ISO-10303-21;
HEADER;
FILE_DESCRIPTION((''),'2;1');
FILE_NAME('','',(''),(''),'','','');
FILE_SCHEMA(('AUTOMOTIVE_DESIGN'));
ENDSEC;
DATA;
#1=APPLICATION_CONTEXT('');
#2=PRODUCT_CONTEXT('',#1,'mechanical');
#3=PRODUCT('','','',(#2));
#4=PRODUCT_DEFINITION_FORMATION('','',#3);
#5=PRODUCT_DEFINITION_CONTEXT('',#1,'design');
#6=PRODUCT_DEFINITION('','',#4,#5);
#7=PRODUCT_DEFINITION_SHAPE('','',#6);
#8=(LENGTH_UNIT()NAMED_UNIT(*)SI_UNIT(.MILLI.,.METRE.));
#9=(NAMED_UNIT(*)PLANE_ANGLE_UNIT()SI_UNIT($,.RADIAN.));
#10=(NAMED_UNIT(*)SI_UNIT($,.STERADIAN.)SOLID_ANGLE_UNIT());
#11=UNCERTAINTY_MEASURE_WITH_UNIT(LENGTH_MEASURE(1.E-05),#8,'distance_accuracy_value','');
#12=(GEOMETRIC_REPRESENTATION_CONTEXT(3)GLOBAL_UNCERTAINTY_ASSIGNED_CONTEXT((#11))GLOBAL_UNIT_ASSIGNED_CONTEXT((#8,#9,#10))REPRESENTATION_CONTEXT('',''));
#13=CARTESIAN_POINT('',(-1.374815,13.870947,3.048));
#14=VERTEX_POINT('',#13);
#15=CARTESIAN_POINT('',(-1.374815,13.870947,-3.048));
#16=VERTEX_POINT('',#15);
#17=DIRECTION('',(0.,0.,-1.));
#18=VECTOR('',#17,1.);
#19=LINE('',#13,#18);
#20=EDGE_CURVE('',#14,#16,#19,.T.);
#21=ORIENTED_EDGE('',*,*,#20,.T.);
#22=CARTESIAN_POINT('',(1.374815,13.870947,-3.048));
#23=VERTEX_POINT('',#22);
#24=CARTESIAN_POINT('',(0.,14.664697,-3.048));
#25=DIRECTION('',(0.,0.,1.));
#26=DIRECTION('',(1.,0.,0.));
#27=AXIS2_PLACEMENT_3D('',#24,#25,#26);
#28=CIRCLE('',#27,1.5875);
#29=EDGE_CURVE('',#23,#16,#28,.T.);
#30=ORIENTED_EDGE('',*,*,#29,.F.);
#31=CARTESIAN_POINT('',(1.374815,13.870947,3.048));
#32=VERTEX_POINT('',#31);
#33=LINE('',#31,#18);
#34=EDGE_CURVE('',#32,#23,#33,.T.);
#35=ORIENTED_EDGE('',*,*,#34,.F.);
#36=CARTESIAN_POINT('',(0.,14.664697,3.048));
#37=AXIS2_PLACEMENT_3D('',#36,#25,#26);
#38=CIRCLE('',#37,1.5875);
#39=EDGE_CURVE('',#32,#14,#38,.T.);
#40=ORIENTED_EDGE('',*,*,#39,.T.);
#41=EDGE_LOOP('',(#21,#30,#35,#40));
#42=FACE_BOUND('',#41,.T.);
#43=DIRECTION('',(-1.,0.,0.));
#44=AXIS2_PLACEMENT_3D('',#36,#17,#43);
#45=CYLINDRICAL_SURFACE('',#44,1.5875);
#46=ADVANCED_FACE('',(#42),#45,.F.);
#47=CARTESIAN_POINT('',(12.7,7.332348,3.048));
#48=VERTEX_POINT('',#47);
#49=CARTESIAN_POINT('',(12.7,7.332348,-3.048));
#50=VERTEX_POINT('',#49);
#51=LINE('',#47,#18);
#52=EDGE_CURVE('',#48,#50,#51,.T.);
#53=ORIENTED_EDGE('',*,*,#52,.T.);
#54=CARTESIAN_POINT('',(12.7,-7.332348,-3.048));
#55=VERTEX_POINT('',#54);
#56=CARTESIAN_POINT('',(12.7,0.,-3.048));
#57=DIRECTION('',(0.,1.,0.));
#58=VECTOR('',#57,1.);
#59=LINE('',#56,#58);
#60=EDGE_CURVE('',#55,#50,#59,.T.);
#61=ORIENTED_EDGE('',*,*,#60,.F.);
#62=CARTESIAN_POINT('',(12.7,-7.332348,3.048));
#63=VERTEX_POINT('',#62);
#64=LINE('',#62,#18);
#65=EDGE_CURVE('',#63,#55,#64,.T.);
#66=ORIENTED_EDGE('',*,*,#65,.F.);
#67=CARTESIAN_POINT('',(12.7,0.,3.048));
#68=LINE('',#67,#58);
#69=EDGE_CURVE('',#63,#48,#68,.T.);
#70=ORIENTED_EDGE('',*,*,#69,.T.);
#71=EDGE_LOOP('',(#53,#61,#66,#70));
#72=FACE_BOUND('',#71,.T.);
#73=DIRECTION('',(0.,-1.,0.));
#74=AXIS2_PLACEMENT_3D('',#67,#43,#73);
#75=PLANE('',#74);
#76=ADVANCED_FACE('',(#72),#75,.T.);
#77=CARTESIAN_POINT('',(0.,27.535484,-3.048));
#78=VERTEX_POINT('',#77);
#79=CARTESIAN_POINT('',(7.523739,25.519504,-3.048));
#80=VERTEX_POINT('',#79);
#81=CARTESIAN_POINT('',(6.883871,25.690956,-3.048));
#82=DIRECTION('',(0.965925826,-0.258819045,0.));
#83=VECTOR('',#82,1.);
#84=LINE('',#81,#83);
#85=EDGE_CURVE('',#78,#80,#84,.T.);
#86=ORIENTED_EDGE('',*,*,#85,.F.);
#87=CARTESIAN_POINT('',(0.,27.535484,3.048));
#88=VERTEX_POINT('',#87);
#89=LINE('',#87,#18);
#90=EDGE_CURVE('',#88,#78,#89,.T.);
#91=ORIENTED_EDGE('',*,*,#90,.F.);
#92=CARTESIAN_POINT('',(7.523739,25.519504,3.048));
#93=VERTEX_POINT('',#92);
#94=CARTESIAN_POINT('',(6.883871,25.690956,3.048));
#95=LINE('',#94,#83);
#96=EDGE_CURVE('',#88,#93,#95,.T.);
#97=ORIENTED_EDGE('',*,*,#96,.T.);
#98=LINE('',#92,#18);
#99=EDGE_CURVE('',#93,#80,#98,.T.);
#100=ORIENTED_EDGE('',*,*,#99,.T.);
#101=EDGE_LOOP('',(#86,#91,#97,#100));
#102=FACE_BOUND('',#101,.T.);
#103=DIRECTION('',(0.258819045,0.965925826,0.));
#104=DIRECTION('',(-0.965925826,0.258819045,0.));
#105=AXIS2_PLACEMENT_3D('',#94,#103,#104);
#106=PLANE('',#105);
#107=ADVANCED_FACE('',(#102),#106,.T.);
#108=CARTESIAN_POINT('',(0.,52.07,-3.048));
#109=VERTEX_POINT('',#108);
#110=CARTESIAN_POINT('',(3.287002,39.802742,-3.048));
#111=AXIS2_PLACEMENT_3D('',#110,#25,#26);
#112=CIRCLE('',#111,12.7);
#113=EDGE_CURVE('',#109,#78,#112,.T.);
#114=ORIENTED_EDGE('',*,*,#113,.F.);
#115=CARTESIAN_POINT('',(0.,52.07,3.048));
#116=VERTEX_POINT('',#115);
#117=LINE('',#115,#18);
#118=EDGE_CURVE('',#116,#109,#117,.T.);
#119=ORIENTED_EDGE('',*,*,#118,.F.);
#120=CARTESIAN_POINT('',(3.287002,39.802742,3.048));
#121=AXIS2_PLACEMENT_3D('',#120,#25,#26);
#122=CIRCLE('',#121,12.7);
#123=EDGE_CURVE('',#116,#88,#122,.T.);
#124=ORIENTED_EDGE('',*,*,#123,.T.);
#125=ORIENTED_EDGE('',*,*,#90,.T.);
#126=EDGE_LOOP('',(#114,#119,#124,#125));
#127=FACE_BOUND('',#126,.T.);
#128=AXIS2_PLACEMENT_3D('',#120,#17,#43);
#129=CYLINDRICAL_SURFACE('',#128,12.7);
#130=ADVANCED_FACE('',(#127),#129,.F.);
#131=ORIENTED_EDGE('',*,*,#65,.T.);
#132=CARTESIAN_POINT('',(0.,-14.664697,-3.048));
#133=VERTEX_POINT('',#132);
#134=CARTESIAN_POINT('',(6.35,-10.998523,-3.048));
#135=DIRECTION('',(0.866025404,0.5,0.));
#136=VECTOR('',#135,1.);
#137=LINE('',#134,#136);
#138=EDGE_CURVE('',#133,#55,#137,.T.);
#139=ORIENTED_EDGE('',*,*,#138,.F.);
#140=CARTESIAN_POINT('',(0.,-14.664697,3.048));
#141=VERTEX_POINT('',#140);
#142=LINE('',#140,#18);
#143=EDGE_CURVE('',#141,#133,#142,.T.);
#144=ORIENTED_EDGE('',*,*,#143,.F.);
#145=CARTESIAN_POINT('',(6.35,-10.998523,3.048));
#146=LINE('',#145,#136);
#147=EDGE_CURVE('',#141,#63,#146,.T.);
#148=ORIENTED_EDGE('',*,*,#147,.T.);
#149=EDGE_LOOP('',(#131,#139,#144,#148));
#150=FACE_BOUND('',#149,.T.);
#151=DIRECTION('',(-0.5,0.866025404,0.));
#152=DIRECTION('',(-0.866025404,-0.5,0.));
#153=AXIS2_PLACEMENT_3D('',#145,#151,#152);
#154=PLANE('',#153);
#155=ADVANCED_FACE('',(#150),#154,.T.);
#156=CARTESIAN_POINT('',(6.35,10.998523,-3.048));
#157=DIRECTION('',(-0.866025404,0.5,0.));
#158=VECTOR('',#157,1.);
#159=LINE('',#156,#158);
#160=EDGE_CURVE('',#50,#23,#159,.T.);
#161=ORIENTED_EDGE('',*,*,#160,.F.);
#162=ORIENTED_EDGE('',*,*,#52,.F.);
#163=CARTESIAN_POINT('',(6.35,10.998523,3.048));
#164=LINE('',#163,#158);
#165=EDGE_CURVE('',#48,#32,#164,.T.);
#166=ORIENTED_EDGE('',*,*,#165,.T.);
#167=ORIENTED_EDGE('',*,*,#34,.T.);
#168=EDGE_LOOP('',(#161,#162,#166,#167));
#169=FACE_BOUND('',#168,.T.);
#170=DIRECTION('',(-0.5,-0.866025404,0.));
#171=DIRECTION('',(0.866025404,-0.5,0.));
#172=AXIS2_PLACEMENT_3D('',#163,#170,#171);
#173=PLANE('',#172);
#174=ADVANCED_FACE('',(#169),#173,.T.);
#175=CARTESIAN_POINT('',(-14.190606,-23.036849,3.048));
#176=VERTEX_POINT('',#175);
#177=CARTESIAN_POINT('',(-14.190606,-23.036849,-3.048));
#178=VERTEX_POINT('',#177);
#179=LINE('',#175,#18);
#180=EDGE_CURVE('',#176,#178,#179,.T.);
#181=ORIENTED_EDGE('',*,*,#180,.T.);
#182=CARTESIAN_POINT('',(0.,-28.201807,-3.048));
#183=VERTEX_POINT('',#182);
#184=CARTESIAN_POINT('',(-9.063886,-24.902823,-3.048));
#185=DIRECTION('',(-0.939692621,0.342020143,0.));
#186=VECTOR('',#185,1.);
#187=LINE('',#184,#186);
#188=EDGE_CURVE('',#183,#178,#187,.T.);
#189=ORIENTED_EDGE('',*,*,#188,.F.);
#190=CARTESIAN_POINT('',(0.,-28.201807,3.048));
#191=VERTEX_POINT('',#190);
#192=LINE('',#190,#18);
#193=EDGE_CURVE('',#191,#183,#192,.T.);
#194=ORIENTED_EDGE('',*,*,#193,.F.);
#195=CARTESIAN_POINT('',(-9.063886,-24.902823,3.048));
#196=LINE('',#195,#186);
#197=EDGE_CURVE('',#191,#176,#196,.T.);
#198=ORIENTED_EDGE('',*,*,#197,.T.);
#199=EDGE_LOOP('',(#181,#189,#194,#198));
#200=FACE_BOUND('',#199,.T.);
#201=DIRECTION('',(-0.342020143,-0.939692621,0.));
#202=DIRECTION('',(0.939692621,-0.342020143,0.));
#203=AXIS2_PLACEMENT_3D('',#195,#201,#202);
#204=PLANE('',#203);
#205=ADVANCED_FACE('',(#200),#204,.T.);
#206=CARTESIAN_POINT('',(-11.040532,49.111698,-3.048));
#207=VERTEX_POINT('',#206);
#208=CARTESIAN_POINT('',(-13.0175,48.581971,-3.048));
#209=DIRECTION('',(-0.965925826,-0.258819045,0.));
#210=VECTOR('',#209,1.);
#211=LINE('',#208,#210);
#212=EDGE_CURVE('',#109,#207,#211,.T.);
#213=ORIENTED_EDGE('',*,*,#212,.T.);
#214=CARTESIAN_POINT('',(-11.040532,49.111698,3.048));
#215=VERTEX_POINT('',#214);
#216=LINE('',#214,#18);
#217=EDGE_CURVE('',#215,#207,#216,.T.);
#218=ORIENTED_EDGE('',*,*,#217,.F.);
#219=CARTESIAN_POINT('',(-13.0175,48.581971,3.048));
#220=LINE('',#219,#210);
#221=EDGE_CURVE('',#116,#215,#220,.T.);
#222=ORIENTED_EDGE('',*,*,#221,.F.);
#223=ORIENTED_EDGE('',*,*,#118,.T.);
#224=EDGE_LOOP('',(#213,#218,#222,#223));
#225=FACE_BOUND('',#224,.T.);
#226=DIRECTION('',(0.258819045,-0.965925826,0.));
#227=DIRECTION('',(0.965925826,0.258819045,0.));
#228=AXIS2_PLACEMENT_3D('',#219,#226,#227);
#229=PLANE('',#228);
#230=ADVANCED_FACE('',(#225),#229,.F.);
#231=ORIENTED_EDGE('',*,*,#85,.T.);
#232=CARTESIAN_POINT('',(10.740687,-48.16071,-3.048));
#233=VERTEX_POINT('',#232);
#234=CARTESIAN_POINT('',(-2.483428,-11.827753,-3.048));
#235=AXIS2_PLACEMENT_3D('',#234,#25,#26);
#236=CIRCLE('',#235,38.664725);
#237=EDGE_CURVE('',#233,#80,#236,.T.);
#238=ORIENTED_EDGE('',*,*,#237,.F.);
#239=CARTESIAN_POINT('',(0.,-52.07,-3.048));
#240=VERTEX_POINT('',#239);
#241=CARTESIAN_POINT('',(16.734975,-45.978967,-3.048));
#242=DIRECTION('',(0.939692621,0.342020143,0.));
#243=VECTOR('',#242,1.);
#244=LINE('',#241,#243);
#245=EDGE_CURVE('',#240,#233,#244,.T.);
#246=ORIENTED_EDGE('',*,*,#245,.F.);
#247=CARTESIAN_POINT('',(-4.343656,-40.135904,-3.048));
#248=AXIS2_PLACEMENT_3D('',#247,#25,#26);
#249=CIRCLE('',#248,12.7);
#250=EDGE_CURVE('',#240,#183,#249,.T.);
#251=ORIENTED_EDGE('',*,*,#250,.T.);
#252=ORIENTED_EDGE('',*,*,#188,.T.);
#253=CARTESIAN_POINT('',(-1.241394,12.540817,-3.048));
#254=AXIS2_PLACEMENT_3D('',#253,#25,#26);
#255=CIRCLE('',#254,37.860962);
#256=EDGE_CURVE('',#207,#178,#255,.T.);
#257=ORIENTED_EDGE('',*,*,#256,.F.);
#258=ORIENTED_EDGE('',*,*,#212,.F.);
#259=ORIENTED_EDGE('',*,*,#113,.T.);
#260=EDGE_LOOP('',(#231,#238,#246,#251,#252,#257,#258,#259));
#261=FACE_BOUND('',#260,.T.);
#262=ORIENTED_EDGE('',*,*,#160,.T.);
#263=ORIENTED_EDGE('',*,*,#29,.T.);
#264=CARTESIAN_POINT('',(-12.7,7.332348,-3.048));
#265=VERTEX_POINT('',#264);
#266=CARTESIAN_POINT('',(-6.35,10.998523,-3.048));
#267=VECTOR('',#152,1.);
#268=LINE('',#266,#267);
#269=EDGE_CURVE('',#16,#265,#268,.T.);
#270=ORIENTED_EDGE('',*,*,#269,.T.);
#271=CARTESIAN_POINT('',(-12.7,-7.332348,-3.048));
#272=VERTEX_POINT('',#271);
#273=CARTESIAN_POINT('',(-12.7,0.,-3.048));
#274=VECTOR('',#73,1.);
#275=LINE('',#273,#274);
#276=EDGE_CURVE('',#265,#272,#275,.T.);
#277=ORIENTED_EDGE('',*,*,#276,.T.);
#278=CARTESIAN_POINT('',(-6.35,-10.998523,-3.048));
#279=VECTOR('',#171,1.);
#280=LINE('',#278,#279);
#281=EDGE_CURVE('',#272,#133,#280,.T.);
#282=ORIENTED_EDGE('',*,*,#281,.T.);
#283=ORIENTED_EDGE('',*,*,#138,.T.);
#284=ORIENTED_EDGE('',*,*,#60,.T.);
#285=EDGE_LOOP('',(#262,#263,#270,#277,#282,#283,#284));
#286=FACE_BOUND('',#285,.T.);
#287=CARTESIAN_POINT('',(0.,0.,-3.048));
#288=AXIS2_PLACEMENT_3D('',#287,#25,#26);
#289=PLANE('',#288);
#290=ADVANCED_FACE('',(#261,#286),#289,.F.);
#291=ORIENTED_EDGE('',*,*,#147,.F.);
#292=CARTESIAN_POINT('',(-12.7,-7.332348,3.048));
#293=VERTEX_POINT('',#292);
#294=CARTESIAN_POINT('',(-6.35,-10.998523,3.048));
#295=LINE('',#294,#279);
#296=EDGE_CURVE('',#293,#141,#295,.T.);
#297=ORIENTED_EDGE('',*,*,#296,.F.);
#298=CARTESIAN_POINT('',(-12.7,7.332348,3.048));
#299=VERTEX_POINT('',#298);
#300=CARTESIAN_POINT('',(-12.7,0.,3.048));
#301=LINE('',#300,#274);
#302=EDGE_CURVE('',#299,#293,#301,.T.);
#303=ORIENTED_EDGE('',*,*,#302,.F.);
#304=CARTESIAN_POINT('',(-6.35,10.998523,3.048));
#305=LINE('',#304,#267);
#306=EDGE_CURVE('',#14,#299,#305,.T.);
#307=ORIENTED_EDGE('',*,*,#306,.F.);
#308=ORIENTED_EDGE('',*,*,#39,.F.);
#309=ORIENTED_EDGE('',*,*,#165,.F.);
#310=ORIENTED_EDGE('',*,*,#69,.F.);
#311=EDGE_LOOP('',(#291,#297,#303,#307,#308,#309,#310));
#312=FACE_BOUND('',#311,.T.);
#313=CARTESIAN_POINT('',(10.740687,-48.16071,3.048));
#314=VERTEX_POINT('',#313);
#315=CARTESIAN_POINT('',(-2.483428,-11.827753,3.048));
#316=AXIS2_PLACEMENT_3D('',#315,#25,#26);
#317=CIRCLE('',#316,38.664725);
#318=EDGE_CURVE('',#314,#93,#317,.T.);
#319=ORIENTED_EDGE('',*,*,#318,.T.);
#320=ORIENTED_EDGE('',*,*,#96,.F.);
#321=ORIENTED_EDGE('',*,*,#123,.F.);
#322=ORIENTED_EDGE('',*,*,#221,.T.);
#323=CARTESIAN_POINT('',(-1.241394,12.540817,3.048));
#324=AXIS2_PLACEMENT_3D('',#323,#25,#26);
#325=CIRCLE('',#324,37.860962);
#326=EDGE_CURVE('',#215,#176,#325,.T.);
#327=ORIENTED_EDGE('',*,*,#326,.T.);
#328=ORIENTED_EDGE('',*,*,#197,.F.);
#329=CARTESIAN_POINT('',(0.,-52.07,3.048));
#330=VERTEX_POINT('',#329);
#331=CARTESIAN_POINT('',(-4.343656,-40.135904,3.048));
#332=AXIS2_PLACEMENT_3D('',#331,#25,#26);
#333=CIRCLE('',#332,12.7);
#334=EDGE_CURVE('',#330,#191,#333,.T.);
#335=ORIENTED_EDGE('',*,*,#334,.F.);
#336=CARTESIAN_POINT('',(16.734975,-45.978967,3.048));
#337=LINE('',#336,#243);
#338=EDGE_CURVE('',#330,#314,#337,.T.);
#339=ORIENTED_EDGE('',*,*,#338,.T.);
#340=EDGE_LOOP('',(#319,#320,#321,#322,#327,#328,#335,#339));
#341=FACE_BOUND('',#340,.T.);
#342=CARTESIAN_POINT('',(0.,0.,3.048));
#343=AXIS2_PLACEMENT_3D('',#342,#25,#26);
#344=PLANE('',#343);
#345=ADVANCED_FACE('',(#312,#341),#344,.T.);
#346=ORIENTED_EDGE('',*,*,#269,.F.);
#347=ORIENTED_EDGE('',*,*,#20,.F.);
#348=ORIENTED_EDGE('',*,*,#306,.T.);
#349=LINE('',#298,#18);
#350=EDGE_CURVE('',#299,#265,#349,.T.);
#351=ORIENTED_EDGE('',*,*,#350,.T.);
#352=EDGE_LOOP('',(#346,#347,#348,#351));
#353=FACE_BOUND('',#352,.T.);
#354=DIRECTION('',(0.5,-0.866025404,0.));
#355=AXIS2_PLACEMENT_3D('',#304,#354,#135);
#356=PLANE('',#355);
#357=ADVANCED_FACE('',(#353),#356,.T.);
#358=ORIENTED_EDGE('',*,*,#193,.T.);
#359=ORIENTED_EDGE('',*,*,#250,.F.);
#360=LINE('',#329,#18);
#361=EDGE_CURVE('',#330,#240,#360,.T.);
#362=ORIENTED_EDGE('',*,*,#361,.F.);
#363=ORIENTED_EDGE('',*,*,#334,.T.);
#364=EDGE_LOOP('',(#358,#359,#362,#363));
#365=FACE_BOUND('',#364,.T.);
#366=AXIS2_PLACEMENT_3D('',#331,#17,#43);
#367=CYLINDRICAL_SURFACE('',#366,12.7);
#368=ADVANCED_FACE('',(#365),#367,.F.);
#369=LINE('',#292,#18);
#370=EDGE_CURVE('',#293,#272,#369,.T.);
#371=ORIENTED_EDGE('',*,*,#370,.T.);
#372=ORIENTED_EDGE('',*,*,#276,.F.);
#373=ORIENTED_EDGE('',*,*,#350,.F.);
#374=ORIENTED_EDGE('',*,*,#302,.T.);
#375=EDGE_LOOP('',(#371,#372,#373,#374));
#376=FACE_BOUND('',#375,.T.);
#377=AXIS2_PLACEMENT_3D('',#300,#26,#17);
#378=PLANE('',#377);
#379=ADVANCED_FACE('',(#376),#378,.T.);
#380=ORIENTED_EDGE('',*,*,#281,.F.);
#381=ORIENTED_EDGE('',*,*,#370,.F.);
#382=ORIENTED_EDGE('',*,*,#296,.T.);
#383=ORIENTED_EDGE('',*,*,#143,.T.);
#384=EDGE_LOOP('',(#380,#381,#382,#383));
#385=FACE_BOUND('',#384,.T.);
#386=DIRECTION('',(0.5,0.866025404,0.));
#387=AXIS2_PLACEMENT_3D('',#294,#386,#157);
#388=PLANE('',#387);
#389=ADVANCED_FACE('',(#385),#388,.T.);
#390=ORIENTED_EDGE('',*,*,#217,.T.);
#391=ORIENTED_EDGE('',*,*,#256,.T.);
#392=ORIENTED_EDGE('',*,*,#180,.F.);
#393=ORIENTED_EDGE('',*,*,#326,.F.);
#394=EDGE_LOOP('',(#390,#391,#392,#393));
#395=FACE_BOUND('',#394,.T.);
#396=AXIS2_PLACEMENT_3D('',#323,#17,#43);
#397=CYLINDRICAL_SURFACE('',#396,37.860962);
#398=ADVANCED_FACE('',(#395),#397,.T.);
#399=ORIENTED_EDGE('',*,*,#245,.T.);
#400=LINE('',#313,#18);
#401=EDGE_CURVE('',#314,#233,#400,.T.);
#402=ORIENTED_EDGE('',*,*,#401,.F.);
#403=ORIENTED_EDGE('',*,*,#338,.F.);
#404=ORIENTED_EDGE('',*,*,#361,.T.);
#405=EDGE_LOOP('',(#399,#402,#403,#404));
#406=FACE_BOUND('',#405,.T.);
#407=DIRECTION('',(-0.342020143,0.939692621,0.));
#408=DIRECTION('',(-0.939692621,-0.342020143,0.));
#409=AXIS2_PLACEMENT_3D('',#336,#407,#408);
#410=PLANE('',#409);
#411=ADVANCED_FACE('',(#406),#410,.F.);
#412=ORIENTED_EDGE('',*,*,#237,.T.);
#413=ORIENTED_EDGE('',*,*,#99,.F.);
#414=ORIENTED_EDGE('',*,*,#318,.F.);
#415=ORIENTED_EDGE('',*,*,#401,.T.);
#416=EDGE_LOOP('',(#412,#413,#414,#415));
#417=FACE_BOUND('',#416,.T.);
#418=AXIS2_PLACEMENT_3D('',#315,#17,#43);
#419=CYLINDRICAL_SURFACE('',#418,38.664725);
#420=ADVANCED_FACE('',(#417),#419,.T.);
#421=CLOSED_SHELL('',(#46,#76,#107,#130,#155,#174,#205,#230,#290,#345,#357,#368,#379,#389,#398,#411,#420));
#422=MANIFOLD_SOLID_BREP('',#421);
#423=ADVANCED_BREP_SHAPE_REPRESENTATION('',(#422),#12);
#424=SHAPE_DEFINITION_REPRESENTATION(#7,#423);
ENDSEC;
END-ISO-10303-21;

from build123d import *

# Parameters (mm, degrees)
BOSS_EXTRUDE1_DEPTH = 3.048


with BuildPart() as part:
    # Sketch1 → Boss-Extrude1 (new body, symmetric)
    with BuildSketch(Plane.XY):
        with BuildLine():
            ThreePointArc((0, 27.535484012), (-9.412998127, 39.802742006), (0, 52.07))
            Line((0, 52.07), (-11.040532194, 49.111698314))
            ThreePointArc((-11.040532194, 49.111698314), (-39.066320922, 14.192289272), (-14.190605813, -23.03684931))
            Line((-14.190605813, -23.03684931), (0, -28.201807432))
            ThreePointArc((0, -28.201807432), (8.35634418, -40.135903716), (0, -52.07))
            Line((0, -52.07), (10.740686656, -48.160709762))
            ThreePointArc((10.740686656, -48.160709762), (36.144496882, -10.141220984), (7.52373904, 25.519504212))
            Line((7.52373904, 25.519504212), (0, 27.535484012))
        make_face()
        with BuildLine():
            Line((-12.7, 7.332348419), (-1.374815329, 13.870946837))
            ThreePointArc((-1.374815329, 13.870946837), (-0.410875234, 16.198104087), (1.5875, 14.664696837))
            ThreePointArc((1.5875, 14.664696837), (1.533407249, 14.253821603), (1.374815329, 13.870946837))
            Line((1.374815329, 13.870946837), (12.7, 7.332348419))
            Line((12.7, 7.332348419), (12.7, -7.332348419))
            Line((12.7, -7.332348419), (0, -14.664696837))
            Line((0, -14.664696837), (-12.7, -7.332348419))
            Line((-12.7, -7.332348419), (-12.7, 7.332348419))
        make_face(mode=Mode.SUBTRACT)
    extrude(amount=BOSS_EXTRUDE1_DEPTH, both=True)


solid = part.part
